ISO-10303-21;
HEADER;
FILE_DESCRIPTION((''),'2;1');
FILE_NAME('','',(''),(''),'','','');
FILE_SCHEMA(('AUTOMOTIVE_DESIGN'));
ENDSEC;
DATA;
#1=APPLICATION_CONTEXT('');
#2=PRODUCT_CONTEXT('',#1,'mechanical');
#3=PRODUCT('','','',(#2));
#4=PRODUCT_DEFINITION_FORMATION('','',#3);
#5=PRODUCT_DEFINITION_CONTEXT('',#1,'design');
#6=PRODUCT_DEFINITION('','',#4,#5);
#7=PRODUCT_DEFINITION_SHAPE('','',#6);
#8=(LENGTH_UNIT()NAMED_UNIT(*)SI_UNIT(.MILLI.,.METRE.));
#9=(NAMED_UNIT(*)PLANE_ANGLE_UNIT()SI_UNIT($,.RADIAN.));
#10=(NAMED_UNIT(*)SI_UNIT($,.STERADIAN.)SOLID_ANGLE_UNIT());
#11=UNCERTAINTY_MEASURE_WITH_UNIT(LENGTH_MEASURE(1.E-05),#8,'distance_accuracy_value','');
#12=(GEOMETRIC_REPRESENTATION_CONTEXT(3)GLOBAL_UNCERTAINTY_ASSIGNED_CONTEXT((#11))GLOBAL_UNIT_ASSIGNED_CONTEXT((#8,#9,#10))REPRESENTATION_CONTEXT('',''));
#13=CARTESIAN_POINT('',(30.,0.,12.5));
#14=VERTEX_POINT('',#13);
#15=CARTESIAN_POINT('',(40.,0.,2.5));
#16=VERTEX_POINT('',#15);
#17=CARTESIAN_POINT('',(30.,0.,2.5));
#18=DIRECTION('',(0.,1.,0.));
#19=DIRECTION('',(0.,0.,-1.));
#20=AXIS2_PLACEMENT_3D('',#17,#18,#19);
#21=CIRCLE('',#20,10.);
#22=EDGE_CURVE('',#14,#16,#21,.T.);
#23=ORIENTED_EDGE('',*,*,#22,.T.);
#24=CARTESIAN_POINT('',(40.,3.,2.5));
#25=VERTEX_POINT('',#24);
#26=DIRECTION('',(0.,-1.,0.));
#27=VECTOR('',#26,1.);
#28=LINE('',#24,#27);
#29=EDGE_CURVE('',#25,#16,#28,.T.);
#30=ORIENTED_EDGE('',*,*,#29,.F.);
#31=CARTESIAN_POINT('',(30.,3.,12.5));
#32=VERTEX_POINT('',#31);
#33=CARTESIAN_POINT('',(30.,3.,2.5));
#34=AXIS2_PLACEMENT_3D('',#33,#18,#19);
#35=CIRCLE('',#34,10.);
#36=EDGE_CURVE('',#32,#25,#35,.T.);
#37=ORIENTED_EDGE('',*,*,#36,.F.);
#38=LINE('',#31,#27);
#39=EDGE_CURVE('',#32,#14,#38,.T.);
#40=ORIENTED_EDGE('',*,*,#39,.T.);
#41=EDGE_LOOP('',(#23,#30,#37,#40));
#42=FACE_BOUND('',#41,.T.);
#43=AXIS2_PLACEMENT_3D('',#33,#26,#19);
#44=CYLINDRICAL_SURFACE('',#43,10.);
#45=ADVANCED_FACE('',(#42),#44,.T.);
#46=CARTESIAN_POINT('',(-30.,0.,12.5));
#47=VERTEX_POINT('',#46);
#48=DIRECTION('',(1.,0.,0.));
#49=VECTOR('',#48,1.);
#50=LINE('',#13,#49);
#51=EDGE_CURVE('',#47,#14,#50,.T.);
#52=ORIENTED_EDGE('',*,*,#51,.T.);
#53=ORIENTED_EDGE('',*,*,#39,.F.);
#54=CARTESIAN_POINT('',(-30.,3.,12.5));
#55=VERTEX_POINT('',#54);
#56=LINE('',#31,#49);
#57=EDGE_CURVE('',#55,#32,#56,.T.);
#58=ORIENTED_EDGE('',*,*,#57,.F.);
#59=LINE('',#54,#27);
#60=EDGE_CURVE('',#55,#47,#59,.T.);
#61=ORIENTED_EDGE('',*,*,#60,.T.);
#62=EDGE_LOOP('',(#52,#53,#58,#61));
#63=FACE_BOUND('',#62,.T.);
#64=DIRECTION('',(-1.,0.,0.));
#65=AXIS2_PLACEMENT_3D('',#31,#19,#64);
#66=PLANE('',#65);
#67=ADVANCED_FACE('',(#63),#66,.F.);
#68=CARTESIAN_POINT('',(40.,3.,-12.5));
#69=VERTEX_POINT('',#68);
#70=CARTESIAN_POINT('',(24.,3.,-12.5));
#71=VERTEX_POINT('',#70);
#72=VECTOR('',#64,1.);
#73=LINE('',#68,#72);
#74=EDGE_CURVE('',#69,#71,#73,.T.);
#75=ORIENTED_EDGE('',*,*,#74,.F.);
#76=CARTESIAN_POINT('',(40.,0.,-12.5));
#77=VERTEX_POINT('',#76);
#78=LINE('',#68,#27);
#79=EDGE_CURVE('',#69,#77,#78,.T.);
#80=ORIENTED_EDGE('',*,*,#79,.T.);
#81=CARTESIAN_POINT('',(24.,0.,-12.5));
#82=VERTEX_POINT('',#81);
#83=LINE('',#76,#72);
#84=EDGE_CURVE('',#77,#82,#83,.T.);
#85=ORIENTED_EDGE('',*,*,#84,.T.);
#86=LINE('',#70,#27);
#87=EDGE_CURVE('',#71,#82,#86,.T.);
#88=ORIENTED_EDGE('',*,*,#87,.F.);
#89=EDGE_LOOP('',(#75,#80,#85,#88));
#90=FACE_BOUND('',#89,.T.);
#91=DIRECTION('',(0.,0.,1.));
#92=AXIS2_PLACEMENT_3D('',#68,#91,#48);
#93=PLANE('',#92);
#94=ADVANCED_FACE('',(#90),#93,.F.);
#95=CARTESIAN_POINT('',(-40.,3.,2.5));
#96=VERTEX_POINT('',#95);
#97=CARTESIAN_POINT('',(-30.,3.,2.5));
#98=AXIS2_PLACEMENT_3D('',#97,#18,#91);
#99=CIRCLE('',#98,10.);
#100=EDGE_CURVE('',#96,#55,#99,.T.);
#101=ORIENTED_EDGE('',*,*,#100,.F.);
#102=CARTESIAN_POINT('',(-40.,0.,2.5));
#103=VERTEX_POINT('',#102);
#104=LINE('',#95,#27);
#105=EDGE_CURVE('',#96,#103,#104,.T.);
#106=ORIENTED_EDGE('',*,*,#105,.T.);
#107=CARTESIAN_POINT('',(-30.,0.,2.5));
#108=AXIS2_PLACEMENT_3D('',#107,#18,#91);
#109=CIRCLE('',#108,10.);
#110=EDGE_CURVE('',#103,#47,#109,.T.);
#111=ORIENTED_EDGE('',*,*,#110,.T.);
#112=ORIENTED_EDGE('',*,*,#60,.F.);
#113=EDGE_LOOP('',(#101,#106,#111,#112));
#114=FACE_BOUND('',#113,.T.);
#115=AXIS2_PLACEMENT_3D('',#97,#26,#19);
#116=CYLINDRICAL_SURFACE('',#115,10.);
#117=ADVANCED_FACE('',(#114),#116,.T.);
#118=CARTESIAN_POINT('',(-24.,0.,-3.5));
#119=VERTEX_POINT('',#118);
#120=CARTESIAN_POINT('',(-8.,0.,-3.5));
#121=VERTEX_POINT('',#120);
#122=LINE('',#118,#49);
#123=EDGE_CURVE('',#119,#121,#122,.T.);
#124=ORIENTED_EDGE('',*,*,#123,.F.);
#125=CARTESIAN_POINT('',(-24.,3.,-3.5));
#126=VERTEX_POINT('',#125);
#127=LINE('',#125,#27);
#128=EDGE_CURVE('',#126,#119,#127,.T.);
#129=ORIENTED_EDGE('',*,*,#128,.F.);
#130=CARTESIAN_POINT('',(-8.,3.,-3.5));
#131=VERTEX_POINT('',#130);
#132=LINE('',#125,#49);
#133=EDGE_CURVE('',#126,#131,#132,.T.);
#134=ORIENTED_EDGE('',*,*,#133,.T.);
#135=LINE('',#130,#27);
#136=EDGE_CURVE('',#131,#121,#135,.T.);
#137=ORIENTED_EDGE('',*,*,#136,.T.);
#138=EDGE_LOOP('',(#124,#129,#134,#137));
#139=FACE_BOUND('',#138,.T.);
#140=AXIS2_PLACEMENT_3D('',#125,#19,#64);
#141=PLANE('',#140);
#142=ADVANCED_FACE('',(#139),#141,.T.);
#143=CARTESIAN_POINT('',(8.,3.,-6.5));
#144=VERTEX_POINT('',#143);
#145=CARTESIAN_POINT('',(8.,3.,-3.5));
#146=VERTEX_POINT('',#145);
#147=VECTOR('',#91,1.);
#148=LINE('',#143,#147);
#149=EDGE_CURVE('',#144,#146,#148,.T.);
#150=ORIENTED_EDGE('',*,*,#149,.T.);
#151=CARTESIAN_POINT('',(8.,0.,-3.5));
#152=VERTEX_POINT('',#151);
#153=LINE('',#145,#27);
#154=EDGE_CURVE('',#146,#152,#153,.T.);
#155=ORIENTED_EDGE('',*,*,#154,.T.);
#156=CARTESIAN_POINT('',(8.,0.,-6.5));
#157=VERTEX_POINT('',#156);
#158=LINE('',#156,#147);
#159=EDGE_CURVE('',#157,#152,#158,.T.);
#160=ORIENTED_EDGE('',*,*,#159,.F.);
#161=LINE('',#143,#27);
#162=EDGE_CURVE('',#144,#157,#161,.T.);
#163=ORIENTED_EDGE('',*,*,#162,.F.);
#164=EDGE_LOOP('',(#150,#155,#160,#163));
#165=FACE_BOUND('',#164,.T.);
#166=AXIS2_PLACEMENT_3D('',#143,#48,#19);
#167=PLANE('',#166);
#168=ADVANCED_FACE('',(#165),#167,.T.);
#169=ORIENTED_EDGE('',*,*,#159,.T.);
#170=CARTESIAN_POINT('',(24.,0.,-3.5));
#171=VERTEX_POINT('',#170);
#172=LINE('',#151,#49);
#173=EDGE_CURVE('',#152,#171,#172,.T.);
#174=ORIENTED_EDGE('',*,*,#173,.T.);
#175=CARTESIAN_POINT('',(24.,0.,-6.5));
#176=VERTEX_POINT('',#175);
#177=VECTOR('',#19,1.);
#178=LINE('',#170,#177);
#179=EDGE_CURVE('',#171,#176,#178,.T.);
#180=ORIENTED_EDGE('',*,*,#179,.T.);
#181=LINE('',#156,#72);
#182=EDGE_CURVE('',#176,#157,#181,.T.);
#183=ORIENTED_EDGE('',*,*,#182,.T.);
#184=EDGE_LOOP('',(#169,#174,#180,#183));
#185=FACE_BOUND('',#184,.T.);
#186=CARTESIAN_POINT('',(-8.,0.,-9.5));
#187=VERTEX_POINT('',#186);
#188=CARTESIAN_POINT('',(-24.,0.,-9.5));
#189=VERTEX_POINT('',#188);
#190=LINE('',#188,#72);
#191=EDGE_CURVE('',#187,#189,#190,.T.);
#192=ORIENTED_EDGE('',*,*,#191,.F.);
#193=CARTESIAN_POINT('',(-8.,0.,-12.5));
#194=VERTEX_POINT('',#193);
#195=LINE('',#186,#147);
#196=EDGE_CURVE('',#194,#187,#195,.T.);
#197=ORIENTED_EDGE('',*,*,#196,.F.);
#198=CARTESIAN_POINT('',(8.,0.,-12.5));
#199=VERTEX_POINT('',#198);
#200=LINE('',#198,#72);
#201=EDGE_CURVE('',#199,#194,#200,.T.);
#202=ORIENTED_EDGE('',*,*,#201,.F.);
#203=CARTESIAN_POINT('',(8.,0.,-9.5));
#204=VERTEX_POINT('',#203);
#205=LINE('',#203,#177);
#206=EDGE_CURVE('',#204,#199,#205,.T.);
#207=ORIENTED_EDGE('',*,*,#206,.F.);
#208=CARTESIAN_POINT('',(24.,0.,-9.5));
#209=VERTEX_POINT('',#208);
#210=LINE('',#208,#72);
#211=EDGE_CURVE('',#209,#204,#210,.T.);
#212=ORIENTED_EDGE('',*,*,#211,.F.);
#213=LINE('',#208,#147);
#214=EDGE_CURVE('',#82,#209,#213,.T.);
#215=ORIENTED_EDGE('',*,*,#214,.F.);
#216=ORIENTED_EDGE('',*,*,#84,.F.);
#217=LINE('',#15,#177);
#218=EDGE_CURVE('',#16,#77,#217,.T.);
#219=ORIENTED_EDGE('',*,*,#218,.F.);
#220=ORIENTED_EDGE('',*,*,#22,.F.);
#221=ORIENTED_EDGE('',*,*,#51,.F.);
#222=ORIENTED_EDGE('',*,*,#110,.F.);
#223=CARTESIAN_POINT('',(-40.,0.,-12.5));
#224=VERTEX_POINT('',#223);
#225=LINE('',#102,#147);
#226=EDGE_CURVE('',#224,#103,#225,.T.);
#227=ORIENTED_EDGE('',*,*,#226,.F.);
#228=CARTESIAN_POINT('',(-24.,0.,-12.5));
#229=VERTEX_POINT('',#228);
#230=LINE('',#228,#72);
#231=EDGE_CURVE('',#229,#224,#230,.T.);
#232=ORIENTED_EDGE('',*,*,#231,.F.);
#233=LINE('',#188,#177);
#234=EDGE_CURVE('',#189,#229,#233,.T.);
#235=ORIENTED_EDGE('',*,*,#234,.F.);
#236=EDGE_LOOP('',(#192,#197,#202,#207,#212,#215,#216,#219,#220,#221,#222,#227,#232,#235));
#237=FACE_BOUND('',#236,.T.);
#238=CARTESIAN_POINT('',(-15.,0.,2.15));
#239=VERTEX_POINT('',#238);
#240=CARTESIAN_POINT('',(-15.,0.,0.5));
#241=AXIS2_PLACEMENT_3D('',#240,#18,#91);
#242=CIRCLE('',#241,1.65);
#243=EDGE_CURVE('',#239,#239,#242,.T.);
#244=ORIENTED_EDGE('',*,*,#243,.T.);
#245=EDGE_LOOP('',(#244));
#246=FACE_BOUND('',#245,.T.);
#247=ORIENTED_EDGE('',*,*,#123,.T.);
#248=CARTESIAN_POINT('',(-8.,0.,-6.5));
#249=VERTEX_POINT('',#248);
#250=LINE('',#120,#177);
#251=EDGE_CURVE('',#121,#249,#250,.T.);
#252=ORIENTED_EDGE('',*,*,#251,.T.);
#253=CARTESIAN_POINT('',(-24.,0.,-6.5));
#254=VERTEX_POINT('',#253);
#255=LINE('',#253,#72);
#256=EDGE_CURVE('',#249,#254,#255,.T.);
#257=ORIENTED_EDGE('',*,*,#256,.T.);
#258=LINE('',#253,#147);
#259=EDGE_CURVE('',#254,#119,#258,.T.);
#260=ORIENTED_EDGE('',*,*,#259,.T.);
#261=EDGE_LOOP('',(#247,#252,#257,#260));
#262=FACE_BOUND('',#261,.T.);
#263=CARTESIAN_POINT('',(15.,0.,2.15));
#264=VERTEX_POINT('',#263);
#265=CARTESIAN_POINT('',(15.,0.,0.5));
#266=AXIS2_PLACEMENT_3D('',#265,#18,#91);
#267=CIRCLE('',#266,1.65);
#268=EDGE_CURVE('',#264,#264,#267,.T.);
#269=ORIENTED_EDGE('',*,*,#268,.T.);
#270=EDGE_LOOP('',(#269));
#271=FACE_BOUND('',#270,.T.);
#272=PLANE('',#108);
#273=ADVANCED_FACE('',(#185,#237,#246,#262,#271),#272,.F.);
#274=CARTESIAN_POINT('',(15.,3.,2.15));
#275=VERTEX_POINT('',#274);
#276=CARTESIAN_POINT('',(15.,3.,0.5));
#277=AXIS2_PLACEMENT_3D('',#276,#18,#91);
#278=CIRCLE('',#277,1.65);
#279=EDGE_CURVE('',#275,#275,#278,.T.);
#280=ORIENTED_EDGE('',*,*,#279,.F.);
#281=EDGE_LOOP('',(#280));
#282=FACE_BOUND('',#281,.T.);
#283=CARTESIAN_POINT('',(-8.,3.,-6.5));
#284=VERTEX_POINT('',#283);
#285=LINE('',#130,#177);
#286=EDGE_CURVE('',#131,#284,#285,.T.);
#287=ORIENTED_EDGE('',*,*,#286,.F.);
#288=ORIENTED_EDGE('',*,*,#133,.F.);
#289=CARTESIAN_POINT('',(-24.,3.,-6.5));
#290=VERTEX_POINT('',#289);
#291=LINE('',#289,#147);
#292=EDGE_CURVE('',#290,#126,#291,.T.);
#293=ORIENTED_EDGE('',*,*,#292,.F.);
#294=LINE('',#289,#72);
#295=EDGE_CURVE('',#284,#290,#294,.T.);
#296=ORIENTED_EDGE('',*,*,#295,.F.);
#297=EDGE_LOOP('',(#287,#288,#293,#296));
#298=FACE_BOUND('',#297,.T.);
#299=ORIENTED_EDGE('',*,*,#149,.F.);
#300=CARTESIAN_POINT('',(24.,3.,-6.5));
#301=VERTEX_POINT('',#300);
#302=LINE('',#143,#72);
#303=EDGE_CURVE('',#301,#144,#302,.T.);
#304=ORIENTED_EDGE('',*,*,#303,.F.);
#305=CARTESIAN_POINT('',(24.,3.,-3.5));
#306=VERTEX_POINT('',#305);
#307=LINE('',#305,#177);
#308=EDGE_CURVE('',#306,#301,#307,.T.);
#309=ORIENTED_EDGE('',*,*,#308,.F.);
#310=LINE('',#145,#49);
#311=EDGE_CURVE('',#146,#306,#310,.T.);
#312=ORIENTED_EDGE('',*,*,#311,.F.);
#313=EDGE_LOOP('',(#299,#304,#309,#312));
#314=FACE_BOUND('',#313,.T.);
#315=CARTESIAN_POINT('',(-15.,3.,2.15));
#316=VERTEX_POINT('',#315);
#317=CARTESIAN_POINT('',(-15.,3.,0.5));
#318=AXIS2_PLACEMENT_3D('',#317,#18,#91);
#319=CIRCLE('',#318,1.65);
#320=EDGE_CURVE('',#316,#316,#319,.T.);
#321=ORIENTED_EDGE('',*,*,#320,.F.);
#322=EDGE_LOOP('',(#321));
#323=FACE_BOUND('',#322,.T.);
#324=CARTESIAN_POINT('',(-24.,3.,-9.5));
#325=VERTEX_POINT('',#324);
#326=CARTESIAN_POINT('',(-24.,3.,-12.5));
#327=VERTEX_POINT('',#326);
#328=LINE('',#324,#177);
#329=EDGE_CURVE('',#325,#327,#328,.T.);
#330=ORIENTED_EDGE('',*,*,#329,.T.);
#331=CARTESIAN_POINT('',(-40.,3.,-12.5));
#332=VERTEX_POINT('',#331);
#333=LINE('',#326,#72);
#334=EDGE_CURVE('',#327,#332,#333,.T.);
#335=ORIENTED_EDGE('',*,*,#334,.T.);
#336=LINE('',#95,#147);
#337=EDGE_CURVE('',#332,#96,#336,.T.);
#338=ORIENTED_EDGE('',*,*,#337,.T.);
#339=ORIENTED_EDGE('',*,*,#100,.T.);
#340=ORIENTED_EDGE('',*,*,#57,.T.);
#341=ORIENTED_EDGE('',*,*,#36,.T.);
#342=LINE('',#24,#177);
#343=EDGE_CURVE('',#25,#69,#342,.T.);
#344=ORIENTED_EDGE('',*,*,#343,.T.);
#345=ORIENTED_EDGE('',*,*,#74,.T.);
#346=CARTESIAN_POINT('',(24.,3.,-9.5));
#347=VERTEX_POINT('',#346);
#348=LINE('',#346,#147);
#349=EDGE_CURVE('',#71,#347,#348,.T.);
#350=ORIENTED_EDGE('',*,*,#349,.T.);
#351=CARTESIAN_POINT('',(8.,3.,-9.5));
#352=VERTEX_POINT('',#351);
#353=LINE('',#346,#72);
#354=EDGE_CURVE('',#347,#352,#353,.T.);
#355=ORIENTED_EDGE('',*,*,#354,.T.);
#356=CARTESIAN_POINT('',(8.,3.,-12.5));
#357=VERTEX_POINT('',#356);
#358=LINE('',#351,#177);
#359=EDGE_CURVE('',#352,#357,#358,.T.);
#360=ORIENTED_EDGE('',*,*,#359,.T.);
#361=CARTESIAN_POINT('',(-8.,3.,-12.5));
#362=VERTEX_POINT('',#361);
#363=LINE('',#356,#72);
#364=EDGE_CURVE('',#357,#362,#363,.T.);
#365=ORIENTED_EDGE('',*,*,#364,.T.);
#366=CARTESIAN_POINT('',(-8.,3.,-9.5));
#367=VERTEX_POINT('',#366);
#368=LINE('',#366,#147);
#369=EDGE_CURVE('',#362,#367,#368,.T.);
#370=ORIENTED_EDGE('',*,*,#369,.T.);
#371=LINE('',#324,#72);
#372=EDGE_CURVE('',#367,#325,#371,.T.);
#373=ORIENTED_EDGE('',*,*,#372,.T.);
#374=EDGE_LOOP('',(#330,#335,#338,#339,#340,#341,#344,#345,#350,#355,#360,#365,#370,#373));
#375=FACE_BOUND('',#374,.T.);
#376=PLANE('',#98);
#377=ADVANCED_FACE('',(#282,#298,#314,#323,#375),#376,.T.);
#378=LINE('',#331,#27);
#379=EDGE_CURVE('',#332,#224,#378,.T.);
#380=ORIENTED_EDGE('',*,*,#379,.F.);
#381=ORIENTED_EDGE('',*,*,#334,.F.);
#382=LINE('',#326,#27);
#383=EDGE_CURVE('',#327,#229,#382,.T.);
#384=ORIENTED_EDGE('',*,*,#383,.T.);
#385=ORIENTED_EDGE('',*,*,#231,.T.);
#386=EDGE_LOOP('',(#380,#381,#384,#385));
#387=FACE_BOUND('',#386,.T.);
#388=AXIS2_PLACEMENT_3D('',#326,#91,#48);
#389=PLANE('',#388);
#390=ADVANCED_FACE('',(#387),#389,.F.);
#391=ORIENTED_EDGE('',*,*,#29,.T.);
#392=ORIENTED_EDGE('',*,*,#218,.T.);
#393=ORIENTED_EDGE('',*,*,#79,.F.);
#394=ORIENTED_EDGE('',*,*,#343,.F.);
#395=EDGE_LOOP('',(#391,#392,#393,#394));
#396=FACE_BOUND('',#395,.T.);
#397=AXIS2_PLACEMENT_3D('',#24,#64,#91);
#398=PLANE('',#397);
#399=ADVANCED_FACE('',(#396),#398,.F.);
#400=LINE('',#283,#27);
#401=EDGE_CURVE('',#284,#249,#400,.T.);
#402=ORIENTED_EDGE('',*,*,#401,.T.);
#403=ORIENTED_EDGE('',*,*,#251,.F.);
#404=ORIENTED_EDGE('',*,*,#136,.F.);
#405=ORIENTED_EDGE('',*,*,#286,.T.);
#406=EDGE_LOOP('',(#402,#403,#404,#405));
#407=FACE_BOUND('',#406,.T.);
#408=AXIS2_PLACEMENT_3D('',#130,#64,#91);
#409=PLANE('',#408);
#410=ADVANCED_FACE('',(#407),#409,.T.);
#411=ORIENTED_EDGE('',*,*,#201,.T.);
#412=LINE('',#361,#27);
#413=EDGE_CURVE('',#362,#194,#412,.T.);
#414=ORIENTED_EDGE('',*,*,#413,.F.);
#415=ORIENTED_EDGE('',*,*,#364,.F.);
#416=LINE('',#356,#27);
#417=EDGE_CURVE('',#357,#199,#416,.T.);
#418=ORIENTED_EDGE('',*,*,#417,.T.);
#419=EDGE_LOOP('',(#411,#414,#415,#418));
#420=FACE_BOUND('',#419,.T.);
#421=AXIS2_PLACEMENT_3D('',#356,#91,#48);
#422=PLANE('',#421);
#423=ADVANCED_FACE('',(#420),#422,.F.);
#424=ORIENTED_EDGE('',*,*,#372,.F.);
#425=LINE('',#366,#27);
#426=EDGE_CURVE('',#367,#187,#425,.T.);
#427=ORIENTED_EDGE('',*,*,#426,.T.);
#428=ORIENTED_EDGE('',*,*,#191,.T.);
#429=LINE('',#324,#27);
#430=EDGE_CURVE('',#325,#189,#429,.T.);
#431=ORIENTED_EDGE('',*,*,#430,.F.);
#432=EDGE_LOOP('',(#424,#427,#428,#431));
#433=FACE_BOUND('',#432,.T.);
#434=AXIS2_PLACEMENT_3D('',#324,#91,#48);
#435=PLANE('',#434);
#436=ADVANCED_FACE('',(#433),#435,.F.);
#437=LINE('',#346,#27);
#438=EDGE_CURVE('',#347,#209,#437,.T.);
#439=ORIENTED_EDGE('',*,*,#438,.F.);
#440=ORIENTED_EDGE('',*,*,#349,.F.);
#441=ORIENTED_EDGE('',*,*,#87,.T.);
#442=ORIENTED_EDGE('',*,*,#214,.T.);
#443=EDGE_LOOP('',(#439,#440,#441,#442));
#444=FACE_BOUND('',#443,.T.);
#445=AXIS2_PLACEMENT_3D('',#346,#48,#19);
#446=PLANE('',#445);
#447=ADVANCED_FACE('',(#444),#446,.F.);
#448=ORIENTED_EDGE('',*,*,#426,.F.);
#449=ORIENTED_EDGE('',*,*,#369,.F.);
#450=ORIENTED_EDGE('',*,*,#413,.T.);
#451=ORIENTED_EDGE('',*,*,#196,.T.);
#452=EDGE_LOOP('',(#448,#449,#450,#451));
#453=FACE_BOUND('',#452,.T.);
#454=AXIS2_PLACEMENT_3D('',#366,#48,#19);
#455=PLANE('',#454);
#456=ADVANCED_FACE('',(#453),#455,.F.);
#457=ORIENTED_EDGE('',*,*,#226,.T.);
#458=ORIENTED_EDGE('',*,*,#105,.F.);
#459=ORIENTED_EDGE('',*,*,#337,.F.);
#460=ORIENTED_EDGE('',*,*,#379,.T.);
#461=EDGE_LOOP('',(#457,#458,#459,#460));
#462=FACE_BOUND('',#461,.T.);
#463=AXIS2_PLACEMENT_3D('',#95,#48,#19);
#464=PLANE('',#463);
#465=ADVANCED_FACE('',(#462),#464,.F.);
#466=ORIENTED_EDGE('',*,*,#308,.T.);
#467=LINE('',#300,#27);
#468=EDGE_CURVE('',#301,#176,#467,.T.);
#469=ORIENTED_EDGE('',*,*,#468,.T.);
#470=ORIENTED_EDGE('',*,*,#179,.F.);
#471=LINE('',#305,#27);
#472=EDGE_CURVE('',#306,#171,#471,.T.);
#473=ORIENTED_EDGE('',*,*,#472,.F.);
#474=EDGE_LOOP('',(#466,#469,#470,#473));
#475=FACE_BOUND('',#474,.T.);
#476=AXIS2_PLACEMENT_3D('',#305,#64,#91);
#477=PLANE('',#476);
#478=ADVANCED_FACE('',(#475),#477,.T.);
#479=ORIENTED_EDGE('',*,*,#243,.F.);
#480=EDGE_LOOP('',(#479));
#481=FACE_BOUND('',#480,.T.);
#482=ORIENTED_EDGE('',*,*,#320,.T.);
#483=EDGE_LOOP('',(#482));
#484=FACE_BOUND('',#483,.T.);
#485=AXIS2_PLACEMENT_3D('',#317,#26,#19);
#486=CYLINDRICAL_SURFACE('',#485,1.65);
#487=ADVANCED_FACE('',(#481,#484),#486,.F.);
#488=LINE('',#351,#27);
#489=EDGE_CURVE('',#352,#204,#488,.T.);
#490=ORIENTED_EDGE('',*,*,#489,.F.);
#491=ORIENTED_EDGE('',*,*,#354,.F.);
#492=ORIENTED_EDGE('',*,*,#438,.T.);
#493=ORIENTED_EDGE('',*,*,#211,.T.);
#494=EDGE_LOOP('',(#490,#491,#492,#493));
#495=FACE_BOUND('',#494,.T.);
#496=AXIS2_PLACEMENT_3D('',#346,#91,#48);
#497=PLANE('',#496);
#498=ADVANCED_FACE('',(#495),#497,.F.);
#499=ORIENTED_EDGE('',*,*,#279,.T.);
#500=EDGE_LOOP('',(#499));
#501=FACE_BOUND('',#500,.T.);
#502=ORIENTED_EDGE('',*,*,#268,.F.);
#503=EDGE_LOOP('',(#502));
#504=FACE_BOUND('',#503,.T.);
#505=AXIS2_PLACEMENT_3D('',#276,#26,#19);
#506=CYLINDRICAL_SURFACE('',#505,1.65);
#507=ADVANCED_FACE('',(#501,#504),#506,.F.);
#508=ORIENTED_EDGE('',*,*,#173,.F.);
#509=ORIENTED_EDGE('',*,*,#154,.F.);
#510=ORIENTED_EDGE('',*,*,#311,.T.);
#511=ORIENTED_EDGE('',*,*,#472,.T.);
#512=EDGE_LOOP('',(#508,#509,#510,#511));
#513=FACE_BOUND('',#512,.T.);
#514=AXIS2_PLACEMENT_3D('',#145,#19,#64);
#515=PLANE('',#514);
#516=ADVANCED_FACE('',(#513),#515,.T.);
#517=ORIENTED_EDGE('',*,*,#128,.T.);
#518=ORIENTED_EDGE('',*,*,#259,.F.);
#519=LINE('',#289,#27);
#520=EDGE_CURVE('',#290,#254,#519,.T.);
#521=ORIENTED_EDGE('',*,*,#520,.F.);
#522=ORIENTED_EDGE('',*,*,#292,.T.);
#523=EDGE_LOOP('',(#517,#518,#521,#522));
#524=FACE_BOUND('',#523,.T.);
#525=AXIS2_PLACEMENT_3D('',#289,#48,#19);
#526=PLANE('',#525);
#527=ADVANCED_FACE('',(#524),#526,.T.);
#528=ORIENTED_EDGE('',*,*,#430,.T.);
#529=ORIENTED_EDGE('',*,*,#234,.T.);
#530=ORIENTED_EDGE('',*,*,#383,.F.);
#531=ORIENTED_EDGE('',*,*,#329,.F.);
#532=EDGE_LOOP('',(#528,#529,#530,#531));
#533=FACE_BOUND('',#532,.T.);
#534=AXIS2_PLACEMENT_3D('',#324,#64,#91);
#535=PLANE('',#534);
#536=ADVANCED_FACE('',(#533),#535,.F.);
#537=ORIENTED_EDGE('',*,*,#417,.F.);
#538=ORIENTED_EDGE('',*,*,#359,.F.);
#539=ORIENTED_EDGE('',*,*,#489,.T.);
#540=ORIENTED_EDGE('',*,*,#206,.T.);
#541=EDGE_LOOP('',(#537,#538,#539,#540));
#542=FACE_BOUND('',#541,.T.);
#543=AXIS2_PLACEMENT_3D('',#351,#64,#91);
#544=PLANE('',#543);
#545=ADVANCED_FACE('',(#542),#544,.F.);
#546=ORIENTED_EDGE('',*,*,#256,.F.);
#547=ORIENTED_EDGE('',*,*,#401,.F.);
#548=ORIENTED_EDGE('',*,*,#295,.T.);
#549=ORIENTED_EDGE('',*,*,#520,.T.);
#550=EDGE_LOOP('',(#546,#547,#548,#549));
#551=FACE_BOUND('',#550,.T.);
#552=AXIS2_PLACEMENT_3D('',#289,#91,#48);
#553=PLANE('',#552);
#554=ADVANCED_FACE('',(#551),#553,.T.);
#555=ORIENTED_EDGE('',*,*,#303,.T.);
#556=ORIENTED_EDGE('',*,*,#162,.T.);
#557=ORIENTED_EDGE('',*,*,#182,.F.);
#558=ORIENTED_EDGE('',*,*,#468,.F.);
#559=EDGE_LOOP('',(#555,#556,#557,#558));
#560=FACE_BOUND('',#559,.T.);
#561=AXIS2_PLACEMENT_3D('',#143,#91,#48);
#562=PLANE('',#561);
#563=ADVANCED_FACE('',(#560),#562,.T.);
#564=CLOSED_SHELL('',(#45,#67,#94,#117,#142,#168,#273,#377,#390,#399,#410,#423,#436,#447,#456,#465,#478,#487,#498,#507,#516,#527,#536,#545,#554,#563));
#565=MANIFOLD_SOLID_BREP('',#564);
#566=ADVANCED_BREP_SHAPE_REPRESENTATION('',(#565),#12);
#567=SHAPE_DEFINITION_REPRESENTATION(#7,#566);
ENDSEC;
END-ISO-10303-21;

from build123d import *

# Parameters (mm, degrees)
SKETCH1_R           = 1.65
SKETCH1_W           = 16
SKETCH1_H           = 3
BOSS_EXTRUDE1_DEPTH = 3


with BuildPart() as part:
    # Sketch1 → Boss-Extrude1 (new body)
    with BuildSketch(Plane(origin=(0, 0, 0), x_dir=(1, 0, 0), z_dir=(0, 1, 0))):
        with BuildLine():
            Line((30, -12.5), (-30, -12.5))
            ThreePointArc((-30, -12.5), (-37.071067812, -9.571067812), (-40, -2.5))
            Line((-40, -2.5), (-40, 12.5))
            Line((-40, 12.5), (-24, 12.5))
            Line((-24, 12.5), (-24, 9.5))
            Line((-24, 9.5), (-8, 9.5))
            Line((-8, 9.5), (-8, 12.5))
            Line((-8, 12.5), (8, 12.5))
            Line((8, 12.5), (8, 9.5))
            Line((8, 9.5), (24, 9.5))
            Line((24, 9.5), (24, 12.5))
            Line((24, 12.5), (40, 12.5))
            Line((40, 12.5), (40, -2.5))
            ThreePointArc((40, -2.5), (37.071067812, -9.571067812), (30, -12.5))
        make_face()
        with Locations((-15, -0.5)):
            Circle(SKETCH1_R, mode=Mode.SUBTRACT)
        with Locations((15, -0.5)):
            Circle(SKETCH1_R, mode=Mode.SUBTRACT)
        with Locations((-16, 5)):
            Rectangle(SKETCH1_W, SKETCH1_H, mode=Mode.SUBTRACT)
        with Locations((16, 5)):
            Rectangle(SKETCH1_W, SKETCH1_H, mode=Mode.SUBTRACT)
    extrude(amount=BOSS_EXTRUDE1_DEPTH)


solid = part.part
